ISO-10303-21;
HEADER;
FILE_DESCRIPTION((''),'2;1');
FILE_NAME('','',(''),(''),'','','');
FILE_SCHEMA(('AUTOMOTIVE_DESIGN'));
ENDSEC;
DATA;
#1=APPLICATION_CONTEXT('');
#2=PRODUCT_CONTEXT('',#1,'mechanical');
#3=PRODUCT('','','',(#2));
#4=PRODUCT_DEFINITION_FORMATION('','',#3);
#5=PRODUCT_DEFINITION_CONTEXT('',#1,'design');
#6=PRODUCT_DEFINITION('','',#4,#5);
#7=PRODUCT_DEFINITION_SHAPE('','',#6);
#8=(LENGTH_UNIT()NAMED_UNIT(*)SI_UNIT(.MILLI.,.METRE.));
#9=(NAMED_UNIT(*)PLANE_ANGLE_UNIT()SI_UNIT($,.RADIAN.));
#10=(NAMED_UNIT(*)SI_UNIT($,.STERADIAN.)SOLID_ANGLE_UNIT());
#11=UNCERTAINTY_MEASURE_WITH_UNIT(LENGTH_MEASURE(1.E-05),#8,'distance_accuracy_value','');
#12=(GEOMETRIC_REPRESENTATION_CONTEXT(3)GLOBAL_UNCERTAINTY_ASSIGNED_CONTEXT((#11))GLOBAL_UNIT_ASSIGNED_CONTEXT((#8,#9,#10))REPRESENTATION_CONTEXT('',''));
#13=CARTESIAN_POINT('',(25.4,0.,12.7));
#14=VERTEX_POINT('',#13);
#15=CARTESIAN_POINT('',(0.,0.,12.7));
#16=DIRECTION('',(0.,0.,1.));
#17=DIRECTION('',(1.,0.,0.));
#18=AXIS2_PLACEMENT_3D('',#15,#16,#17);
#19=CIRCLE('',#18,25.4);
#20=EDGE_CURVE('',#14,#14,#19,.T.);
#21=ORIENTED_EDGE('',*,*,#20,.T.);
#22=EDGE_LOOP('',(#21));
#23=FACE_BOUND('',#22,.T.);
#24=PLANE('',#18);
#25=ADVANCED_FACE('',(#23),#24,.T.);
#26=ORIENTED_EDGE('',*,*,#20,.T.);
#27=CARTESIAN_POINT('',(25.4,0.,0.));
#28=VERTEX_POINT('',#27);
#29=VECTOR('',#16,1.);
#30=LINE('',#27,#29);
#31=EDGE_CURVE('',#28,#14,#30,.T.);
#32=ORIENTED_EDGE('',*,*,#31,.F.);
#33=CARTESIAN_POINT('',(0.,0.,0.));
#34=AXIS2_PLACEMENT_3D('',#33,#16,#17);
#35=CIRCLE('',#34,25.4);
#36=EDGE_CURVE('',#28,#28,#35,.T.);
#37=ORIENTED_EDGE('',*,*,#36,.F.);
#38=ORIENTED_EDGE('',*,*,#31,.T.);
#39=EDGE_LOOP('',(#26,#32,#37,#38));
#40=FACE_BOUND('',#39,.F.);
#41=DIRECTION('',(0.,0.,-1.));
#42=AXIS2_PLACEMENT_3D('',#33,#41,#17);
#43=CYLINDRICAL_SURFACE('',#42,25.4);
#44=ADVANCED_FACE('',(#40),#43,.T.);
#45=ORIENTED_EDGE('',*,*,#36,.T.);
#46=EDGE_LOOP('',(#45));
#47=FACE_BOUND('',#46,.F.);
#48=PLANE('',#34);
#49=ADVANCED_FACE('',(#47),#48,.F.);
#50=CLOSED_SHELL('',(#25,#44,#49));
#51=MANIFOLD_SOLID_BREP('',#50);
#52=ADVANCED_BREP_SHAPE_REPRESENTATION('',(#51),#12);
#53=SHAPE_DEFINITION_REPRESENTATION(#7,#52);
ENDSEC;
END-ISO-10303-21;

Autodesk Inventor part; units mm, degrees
ref_plane "YZ Plane" through (0, 0, 0) normal (1, 0, 0) x (0, 1, 0)
ref_plane "XZ Plane" through (0, 0, 0) normal (0, 1, 0) x (-1, 0, 0)
ref_plane "XY Plane" through (0, 0, 0) normal (0, 0, 1) x (1, 0, 0)
sketch "Sketch1" plane through (0, 0, 0) normal (0, 0, 1) x (1, 0, 0)
  circle A0 centre (0, 0) radius 25.4
  dimension "d0" = 50.8
extrude "Extrusion1" add sketch "Sketch1" along normal blind 12.7
properties part number "Temp - Wheel 2"
